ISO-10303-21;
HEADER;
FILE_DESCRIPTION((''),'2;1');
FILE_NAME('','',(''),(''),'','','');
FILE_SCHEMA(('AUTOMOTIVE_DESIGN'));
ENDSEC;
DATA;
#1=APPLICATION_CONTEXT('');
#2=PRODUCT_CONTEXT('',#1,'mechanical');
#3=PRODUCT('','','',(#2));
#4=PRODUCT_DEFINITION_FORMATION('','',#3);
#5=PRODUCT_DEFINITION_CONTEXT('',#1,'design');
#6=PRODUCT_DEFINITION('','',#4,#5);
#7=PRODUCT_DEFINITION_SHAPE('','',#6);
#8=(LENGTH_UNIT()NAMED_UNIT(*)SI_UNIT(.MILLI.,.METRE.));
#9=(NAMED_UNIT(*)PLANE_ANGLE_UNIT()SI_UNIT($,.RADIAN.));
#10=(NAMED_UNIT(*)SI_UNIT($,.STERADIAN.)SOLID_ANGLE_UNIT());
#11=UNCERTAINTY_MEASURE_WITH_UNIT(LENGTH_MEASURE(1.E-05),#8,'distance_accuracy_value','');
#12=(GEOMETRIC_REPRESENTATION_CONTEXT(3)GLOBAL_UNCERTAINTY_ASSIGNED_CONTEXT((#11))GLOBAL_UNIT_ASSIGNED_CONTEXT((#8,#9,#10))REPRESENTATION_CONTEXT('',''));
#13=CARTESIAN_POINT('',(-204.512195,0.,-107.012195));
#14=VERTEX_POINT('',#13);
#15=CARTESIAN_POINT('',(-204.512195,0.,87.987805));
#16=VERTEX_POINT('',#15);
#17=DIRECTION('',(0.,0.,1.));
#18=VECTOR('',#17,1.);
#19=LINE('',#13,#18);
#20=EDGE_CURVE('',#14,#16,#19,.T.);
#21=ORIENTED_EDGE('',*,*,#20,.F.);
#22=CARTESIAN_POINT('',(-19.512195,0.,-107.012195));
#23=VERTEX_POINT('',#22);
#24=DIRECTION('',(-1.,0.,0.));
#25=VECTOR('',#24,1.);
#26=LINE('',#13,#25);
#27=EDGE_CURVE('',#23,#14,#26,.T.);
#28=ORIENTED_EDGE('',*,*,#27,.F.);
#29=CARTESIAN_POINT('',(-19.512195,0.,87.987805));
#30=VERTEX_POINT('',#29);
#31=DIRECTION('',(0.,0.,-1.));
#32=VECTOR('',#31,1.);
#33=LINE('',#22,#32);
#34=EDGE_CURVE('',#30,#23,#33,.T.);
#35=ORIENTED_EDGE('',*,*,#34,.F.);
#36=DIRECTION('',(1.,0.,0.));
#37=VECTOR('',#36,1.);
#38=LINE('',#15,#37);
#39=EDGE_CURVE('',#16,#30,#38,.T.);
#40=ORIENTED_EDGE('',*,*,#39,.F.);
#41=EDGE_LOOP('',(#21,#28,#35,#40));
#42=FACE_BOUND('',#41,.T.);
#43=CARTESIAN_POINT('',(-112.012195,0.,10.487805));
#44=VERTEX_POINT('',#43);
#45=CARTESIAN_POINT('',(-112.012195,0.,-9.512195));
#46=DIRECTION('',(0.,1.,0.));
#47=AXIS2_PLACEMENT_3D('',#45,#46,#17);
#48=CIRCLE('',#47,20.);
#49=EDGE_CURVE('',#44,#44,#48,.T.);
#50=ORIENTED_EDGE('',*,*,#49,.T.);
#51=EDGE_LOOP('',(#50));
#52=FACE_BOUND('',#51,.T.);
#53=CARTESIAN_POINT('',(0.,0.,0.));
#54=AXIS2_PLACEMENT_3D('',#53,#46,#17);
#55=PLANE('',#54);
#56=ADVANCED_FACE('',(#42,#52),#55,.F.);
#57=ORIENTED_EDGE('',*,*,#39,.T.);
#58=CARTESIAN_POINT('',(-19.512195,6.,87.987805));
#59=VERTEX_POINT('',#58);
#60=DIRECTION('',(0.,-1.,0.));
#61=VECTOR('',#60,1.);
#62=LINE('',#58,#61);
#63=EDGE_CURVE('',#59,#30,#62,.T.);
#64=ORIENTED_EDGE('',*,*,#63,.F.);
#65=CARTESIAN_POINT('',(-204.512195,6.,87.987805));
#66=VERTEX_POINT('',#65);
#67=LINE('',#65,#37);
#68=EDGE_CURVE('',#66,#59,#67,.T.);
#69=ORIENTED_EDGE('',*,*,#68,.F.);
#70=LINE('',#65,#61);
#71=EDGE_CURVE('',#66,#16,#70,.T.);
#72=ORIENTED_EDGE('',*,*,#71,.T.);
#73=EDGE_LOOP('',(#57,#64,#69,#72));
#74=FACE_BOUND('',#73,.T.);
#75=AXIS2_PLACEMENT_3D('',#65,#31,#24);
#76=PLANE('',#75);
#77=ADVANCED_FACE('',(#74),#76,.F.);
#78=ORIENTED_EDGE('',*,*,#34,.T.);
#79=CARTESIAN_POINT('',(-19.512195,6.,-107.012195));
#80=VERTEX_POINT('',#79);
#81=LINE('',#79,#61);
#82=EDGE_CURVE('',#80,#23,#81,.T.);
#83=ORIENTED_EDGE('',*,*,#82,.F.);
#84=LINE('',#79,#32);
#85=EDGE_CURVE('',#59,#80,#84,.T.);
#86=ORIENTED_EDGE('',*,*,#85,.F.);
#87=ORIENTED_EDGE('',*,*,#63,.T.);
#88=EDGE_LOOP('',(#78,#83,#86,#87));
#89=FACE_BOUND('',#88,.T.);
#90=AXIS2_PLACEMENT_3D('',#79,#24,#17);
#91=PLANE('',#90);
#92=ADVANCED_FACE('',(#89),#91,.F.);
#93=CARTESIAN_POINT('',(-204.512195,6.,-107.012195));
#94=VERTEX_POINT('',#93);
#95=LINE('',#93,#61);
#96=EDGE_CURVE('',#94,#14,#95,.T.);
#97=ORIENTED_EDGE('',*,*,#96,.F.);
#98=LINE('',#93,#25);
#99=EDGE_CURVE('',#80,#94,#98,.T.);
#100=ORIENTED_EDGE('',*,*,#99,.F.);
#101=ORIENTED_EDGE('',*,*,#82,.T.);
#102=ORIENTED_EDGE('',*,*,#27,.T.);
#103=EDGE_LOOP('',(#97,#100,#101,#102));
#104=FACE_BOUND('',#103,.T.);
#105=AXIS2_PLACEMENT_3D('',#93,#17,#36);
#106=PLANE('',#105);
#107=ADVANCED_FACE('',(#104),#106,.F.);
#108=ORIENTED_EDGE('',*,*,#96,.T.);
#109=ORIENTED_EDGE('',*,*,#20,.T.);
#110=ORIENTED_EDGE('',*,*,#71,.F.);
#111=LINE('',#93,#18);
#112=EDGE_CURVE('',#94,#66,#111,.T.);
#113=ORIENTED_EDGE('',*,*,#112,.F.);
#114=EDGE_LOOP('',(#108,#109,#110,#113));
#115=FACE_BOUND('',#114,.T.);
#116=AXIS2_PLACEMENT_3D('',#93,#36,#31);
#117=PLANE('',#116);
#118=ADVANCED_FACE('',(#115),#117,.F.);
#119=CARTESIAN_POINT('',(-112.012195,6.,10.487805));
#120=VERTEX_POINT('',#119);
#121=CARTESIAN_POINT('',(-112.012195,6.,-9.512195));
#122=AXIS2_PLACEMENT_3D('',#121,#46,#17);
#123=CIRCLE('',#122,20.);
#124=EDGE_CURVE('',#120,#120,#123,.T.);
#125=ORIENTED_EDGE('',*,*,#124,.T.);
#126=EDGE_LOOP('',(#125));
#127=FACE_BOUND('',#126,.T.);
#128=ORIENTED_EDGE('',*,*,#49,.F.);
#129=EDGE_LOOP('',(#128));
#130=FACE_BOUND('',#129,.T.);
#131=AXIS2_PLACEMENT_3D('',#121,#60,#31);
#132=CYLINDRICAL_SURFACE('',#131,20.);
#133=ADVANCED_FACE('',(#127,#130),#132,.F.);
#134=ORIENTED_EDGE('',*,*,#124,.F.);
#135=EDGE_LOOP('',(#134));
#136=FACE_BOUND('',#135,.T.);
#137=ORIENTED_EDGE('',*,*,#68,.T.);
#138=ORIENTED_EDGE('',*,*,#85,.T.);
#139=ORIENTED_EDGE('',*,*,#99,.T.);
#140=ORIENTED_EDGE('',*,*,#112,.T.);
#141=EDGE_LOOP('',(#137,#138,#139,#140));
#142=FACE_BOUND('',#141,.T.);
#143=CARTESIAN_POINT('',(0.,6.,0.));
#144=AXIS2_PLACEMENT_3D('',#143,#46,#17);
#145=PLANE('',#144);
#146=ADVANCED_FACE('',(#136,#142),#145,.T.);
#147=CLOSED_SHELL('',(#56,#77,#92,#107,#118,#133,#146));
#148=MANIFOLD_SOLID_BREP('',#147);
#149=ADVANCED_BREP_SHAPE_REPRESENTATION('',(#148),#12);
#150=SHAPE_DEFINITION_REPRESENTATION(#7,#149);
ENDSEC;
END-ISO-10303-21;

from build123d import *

# Parameters (mm, degrees)
SKETCH1_W           = 185
SKETCH1_H           = 195
SKETCH1_R           = 20
BOSS_EXTRUDE1_DEPTH = 6


with BuildPart() as part:
    # Sketch1 → Boss-Extrude1 (new body)
    with BuildSketch(Plane(origin=(0, 0, 0), x_dir=(1, 0, 0), z_dir=(0, 1, 0))):
        with Locations((-112.012195122, 9.512195122)):
            Rectangle(SKETCH1_W, SKETCH1_H)
        with Locations((-112.012195122, 9.512195122)):
            Circle(SKETCH1_R, mode=Mode.SUBTRACT)
    extrude(amount=BOSS_EXTRUDE1_DEPTH)


solid = part.part
